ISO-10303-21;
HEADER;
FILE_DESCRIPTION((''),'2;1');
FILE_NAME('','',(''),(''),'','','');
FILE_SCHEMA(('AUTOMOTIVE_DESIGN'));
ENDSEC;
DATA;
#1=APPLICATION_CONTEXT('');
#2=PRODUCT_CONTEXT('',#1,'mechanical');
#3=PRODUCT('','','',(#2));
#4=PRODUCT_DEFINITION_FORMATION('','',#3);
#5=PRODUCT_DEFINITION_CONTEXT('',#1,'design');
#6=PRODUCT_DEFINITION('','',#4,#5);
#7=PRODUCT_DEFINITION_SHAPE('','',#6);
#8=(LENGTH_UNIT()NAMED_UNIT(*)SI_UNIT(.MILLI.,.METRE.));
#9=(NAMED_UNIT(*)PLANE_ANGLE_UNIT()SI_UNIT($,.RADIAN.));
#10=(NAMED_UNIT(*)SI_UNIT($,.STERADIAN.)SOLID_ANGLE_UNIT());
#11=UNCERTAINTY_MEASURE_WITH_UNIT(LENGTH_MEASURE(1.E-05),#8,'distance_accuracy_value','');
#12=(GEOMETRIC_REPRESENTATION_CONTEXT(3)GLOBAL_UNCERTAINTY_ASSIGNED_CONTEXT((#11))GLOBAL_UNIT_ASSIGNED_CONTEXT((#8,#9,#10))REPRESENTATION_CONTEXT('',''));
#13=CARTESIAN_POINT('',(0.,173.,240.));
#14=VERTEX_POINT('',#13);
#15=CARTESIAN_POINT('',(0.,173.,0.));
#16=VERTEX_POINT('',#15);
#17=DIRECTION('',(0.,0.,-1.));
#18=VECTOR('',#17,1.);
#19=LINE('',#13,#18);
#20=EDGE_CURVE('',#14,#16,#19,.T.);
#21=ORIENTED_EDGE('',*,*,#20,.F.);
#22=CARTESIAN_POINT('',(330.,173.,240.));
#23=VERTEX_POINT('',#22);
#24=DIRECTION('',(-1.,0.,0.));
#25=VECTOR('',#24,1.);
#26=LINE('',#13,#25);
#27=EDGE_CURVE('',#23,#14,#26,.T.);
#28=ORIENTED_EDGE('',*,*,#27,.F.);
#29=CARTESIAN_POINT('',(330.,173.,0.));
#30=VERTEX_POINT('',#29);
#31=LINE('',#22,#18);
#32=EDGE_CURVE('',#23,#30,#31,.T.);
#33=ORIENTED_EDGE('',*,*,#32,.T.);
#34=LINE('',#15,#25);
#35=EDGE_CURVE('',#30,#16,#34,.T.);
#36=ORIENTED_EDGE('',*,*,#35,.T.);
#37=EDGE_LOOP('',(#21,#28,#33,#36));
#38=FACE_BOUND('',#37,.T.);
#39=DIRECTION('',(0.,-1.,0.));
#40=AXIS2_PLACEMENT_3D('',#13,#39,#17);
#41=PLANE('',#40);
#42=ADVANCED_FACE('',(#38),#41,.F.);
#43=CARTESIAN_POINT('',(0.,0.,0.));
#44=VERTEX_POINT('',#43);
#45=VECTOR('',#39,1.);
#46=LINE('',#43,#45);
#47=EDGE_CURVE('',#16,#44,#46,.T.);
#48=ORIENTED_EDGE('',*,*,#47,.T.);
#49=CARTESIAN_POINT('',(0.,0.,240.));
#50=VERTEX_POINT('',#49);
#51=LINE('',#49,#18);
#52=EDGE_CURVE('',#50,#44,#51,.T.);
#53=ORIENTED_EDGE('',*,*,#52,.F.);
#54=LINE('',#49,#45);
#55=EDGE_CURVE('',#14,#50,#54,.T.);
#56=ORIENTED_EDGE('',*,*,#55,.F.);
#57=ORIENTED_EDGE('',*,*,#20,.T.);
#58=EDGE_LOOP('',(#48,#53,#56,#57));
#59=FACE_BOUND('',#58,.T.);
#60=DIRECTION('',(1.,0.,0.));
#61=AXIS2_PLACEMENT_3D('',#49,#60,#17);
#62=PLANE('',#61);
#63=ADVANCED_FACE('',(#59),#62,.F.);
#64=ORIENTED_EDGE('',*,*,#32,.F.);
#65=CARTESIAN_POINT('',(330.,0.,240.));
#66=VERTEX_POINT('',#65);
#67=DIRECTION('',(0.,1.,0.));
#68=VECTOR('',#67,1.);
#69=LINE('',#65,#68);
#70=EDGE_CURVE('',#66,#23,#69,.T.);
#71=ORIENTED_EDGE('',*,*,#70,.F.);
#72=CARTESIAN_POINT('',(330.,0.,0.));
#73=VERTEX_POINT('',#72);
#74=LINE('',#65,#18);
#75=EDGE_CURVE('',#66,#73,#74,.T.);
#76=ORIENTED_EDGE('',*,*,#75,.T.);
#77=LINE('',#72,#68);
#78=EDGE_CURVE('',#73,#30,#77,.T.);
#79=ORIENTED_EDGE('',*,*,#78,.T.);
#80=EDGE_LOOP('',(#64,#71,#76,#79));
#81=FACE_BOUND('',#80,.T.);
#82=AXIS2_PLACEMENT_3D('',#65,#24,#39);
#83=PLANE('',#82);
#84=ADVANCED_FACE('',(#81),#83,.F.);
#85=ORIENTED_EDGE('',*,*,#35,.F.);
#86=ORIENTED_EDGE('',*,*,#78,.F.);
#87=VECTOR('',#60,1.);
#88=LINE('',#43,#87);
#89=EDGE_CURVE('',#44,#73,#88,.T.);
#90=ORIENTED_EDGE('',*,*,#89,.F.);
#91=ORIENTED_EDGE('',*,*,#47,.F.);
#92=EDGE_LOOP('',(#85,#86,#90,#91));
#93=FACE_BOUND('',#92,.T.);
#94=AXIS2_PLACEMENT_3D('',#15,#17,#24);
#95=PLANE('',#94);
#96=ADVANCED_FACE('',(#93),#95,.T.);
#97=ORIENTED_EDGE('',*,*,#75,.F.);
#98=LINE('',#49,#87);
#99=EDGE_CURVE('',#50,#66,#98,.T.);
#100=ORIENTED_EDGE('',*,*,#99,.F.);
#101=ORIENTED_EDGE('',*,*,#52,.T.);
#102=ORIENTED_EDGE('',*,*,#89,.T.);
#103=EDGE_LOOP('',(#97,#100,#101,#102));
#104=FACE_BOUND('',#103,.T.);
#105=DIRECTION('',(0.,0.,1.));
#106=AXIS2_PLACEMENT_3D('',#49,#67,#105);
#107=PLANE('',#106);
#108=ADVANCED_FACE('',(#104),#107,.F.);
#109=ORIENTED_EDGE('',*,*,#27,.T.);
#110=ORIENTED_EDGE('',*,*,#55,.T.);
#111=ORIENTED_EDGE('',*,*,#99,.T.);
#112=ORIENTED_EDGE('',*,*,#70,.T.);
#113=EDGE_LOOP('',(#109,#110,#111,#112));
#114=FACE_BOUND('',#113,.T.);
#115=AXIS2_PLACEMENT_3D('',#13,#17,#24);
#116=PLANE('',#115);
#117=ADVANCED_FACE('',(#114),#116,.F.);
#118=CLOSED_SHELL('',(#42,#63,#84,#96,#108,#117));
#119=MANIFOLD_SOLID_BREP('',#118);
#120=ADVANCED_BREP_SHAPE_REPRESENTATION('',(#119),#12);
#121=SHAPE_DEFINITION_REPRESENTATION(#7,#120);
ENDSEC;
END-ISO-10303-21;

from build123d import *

# Parameters (mm, degrees)
ESQUISSE1_W        = 330
ESQUISSE1_H        = 173
BOSS_EXTRU_1_DEPTH = 240


with BuildPart() as part:
    # Esquisse1 → Boss.-Extru.1 (new body)
    with BuildSketch(Plane.XY):
        with Locations((165, 86.5)):
            Rectangle(ESQUISSE1_W, ESQUISSE1_H)
    extrude(amount=BOSS_EXTRU_1_DEPTH)


solid = part.part
